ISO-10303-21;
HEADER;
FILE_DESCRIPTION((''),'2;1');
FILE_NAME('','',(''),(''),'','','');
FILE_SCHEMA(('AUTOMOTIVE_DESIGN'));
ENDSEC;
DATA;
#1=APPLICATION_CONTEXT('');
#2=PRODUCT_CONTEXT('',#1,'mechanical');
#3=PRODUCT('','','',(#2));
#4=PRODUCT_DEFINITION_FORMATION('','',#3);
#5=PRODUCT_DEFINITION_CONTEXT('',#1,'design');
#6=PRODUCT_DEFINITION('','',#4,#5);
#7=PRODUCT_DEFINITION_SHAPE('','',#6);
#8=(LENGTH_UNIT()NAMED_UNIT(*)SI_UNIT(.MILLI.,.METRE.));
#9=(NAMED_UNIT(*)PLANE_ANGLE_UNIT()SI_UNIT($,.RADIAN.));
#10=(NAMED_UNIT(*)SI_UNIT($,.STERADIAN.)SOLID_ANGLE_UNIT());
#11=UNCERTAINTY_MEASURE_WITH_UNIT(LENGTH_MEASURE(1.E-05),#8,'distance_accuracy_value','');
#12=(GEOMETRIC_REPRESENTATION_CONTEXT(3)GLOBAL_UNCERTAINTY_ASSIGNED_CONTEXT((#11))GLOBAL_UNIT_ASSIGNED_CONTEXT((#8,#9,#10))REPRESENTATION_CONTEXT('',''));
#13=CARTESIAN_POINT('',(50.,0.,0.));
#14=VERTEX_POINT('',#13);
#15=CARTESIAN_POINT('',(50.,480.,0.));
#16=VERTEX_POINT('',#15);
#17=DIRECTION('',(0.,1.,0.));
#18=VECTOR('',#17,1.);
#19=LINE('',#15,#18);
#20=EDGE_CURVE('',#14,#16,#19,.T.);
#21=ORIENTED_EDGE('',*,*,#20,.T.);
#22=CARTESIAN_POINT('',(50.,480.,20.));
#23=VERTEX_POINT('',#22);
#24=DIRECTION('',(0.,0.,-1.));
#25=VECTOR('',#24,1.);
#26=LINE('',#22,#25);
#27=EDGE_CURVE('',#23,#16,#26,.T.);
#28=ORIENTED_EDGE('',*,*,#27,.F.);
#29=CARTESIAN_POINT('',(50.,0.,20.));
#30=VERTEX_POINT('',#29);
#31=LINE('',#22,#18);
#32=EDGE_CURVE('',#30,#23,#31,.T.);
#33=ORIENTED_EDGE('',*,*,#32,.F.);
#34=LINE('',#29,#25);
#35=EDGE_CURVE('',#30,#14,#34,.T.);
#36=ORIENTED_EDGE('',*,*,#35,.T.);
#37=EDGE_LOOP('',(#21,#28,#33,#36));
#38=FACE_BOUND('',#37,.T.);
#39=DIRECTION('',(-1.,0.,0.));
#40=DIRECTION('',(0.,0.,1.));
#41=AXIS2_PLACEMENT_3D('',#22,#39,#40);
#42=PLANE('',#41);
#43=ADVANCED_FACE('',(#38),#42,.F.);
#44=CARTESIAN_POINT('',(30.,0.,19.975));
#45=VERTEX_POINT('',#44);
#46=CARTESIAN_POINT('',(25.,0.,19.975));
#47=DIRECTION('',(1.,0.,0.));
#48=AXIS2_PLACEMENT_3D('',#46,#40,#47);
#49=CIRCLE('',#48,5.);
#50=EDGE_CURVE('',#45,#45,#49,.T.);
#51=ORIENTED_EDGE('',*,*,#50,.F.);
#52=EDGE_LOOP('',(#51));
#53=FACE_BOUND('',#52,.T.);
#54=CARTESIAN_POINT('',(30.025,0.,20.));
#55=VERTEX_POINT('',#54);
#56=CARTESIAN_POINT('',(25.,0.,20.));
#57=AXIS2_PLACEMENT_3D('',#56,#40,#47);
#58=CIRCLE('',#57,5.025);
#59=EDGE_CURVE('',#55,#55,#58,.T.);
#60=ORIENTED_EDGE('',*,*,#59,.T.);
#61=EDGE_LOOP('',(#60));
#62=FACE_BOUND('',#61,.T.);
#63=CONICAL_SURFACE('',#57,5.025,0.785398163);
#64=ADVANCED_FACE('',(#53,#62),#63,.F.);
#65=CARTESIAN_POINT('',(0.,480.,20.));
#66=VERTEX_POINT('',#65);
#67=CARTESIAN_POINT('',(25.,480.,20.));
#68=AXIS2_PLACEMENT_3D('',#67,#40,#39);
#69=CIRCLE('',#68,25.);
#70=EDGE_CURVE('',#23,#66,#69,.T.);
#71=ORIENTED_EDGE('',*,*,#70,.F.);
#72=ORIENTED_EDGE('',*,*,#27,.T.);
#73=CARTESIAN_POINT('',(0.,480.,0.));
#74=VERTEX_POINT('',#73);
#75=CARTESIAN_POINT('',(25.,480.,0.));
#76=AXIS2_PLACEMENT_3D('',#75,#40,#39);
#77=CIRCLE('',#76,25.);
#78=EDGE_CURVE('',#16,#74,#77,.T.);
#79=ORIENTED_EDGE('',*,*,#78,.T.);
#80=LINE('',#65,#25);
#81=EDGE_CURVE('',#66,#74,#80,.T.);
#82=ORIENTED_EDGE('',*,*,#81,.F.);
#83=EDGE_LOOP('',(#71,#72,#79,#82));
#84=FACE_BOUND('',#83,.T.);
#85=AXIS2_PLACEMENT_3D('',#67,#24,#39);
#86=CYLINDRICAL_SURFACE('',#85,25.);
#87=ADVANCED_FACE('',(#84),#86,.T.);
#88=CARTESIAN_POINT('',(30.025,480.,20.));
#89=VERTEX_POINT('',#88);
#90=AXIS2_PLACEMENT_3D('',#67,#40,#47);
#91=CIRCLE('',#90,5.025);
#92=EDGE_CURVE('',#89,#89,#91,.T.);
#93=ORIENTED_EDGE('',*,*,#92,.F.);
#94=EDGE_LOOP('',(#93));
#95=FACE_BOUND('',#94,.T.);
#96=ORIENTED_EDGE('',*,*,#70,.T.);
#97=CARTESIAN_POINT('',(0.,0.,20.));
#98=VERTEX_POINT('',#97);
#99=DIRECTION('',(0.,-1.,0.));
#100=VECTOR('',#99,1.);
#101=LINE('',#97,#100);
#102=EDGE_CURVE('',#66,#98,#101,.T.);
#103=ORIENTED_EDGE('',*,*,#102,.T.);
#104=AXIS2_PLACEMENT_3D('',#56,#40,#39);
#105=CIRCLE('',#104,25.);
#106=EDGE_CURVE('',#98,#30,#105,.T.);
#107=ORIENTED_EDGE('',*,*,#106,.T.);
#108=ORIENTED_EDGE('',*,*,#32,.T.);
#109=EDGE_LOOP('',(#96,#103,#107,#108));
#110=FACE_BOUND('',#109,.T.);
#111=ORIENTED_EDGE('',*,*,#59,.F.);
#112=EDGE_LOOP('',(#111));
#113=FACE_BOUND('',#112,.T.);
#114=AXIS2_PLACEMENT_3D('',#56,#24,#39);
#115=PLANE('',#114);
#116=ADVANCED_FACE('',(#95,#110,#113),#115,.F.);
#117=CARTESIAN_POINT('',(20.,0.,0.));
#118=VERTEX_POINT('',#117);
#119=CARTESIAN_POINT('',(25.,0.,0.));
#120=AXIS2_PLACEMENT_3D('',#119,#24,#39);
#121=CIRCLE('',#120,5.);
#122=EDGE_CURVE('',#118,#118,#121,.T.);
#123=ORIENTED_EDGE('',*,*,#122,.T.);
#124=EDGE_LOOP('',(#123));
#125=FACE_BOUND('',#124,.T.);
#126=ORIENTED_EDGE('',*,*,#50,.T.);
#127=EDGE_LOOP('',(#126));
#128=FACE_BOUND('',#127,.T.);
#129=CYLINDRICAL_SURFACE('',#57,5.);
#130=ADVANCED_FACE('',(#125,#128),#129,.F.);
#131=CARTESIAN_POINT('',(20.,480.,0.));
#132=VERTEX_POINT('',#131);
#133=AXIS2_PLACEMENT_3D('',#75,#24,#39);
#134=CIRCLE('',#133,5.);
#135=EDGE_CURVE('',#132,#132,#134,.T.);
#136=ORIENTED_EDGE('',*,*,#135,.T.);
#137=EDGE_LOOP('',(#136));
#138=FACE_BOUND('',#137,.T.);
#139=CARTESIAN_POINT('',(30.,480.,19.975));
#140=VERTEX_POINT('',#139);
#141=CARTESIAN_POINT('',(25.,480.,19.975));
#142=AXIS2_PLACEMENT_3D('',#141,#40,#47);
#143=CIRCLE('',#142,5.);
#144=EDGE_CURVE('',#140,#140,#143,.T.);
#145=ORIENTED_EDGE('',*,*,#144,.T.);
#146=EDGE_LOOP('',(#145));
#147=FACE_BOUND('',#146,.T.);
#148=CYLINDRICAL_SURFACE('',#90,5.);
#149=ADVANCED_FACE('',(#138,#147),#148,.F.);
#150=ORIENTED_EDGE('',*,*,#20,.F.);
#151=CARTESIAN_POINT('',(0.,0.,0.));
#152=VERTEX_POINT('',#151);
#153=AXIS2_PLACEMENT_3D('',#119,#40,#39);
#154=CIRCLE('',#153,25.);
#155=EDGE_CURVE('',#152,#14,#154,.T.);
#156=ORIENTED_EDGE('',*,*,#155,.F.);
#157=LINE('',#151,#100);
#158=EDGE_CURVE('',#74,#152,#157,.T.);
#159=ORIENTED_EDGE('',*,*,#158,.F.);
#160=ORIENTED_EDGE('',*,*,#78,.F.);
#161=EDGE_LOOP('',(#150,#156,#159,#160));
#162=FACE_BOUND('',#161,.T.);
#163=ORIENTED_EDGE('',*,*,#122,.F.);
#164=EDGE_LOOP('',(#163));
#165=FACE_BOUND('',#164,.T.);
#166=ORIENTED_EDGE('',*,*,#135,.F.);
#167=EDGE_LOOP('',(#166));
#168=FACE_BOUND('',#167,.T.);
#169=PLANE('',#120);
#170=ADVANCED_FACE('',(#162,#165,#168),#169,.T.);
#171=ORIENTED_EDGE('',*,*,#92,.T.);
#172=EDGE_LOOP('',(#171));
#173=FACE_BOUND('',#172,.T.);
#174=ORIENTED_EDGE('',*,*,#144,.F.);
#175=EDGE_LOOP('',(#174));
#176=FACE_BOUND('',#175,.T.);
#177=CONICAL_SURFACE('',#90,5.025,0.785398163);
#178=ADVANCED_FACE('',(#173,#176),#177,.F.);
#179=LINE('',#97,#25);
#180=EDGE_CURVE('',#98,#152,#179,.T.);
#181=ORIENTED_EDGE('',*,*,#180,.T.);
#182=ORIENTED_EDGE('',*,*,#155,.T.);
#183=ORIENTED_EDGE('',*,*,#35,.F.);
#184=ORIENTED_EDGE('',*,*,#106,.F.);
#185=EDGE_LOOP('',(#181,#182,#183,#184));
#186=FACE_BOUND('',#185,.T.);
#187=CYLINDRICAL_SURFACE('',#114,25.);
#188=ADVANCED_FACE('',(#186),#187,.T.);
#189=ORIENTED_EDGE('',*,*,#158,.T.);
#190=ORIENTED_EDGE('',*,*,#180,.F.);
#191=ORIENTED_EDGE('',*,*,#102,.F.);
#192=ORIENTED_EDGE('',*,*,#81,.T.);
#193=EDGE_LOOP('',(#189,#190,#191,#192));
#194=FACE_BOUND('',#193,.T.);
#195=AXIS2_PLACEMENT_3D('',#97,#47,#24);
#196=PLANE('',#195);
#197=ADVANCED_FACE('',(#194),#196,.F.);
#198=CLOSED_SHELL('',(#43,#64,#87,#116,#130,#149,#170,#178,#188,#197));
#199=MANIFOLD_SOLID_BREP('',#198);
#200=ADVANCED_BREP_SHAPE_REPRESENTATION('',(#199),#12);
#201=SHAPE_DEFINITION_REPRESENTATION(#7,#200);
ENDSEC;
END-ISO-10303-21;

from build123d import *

# Parameters (mm, degrees)
BOSS_EXTRUDE1_DEPTH              = 20
F_10_0MM_DOWEL_HOLE1_D           = 10
F_10_0MM_DOWEL_HOLE1_DEPTH       = 20
F_10_0MM_DOWEL_HOLE1_CSINK_D     = 10.05
F_10_0MM_DOWEL_HOLE1_CSINK_ANGLE = 90


with BuildPart() as part:
    # Sketch1 → Boss-Extrude1 (new body)
    with BuildSketch(Plane.XY):
        with BuildLine():
            Line((0, 0), (0, 480))
            ThreePointArc((0, 480), (25, 505), (50, 480))
            Line((50, 480), (50, 0))
            ThreePointArc((50, 0), (25, -25), (0, 0))
        make_face()
    extrude(amount=BOSS_EXTRUDE1_DEPTH)

    # Ø10.0mm Dowel Hole1
    with Locations(Plane.XY.offset(20)):
        with Locations((25, 480), (25, 0)):
            CounterSinkHole(F_10_0MM_DOWEL_HOLE1_D / 2, F_10_0MM_DOWEL_HOLE1_CSINK_D / 2, depth=F_10_0MM_DOWEL_HOLE1_DEPTH, counter_sink_angle=F_10_0MM_DOWEL_HOLE1_CSINK_ANGLE)


solid = part.part
